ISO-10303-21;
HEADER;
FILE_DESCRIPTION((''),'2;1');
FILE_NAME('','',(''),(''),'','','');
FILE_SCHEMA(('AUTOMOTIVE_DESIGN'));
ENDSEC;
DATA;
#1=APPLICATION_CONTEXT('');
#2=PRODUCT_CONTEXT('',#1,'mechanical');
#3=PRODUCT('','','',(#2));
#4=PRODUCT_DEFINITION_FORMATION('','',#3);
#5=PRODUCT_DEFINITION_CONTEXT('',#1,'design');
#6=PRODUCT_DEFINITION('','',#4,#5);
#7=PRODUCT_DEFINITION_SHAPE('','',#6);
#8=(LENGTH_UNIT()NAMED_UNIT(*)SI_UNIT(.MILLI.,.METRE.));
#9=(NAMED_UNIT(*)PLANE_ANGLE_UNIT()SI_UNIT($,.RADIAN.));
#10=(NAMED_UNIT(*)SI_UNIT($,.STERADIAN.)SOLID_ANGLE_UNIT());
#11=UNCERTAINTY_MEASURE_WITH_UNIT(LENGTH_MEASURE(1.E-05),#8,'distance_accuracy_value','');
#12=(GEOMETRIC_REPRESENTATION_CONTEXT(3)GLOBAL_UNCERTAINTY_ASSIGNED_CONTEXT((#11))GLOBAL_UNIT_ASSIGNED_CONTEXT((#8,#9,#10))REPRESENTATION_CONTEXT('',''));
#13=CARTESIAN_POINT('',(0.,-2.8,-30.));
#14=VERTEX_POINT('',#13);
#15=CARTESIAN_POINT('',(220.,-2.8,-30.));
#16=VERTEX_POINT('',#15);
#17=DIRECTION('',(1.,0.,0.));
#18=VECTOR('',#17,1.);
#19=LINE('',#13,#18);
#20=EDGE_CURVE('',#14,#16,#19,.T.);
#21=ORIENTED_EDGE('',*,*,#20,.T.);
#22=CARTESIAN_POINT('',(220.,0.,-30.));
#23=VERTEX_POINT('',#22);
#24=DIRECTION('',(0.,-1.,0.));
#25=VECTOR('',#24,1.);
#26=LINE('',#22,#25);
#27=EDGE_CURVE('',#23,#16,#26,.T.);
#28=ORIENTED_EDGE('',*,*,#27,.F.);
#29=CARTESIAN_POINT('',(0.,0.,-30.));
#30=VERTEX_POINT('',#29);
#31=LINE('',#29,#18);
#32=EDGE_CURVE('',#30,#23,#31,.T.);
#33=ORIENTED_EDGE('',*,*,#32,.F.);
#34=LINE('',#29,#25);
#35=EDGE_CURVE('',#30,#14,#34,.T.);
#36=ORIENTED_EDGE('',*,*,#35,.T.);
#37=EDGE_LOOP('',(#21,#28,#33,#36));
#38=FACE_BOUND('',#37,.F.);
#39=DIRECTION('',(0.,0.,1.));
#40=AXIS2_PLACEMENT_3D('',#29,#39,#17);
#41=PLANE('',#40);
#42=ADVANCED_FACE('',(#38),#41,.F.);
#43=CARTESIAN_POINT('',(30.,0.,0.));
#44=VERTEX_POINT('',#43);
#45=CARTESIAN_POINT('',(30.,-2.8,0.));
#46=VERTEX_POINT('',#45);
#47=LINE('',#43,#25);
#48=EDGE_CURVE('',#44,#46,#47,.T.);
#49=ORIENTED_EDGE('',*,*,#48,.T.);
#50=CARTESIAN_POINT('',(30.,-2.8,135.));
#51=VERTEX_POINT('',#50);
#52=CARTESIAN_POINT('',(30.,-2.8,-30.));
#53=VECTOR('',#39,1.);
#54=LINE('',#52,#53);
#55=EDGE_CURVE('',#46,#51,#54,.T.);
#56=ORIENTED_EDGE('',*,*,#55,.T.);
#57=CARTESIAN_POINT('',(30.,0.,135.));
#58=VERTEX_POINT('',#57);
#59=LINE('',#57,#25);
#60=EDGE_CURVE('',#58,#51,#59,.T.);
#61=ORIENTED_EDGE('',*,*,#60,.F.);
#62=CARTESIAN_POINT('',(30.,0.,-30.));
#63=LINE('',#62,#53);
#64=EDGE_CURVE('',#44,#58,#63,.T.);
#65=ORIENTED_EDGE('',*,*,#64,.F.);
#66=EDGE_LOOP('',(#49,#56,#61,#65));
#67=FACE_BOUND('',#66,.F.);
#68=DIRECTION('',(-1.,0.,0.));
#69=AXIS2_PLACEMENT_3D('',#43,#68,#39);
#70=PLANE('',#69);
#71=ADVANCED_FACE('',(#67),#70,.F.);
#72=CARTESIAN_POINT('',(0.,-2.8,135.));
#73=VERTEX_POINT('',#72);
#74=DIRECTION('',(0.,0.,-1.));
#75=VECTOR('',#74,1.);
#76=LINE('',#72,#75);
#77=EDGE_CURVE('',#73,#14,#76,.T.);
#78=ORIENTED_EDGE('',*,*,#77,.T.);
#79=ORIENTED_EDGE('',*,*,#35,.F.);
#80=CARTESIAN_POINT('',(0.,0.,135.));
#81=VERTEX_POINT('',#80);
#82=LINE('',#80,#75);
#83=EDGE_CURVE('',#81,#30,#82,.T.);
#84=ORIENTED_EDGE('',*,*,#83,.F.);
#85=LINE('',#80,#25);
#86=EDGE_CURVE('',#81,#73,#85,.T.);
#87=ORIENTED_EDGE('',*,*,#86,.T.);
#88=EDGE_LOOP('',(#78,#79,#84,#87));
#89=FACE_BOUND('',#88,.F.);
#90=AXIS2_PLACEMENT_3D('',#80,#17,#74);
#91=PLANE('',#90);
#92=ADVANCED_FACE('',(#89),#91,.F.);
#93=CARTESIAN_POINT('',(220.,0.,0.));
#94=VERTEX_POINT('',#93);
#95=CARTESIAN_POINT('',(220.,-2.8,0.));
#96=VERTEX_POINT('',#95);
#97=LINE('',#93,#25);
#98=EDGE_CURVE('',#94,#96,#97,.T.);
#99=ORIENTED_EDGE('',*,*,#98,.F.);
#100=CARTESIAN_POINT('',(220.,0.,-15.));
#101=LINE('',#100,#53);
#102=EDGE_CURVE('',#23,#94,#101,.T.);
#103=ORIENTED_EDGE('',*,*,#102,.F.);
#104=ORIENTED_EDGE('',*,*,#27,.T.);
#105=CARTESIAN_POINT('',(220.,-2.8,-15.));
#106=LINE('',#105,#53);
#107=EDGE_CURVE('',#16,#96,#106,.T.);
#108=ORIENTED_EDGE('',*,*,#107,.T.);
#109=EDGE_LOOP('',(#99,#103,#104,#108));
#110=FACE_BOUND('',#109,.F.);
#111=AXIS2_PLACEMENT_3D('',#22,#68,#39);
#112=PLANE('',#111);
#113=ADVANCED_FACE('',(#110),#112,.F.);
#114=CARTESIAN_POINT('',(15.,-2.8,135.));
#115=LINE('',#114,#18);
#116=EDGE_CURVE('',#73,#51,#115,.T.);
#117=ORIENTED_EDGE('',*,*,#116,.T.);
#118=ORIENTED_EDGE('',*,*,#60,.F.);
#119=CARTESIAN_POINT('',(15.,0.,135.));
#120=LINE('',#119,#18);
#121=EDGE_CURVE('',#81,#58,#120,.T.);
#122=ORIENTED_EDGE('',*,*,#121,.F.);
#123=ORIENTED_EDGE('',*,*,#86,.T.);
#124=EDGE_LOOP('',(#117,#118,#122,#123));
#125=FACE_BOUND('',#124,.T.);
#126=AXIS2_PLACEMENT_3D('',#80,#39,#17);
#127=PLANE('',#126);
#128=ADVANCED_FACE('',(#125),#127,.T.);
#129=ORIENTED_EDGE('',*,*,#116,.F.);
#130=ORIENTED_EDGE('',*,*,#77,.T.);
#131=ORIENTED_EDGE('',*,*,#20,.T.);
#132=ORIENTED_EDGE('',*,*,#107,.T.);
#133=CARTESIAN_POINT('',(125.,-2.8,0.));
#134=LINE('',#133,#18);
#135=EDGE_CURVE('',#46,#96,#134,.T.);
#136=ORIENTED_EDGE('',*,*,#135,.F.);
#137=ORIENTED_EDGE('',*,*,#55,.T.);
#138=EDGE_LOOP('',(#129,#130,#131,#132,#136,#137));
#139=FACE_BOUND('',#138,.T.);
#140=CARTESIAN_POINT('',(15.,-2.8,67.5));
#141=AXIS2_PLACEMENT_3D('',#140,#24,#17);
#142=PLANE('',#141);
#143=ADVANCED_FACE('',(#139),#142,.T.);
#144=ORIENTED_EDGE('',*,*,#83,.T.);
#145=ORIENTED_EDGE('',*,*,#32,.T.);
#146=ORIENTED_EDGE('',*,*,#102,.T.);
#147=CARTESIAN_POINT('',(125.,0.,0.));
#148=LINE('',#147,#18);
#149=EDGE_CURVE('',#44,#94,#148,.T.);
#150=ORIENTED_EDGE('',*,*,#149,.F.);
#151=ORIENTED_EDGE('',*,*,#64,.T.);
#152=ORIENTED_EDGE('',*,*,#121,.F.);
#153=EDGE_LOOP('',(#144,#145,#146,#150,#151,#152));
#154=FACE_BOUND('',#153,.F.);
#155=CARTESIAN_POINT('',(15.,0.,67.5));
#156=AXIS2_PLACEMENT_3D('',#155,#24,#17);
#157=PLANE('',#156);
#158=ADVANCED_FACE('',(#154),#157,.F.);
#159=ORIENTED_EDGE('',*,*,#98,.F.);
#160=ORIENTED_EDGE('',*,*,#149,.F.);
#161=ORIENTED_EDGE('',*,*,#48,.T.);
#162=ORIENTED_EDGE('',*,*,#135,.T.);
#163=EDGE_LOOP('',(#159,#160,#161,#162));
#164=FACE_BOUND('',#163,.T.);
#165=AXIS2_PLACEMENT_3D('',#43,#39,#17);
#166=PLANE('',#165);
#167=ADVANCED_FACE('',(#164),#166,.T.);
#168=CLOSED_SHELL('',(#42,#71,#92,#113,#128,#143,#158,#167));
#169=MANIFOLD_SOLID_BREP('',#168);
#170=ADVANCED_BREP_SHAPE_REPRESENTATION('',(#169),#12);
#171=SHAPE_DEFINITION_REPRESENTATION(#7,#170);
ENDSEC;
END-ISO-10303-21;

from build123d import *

# Parameters (mm, degrees)
F0_W     = 30
F0_H     = 135
F0_H_2   = 30
F0_W_2   = 190
F1_DEPTH = 2.8


with BuildPart() as f1:
    # F0 (on Front) → F1 (new body)
    with BuildSketch(Plane.XZ):
        with Locations((15, 67.5)):
            Rectangle(F0_W, F0_H)
        with Locations((15, -15)):
            Rectangle(F0_W, F0_H_2)
        with Locations((125, -15)):
            Rectangle(F0_W_2, F0_H_2)
    extrude(amount=F1_DEPTH)


solid = f1.part
